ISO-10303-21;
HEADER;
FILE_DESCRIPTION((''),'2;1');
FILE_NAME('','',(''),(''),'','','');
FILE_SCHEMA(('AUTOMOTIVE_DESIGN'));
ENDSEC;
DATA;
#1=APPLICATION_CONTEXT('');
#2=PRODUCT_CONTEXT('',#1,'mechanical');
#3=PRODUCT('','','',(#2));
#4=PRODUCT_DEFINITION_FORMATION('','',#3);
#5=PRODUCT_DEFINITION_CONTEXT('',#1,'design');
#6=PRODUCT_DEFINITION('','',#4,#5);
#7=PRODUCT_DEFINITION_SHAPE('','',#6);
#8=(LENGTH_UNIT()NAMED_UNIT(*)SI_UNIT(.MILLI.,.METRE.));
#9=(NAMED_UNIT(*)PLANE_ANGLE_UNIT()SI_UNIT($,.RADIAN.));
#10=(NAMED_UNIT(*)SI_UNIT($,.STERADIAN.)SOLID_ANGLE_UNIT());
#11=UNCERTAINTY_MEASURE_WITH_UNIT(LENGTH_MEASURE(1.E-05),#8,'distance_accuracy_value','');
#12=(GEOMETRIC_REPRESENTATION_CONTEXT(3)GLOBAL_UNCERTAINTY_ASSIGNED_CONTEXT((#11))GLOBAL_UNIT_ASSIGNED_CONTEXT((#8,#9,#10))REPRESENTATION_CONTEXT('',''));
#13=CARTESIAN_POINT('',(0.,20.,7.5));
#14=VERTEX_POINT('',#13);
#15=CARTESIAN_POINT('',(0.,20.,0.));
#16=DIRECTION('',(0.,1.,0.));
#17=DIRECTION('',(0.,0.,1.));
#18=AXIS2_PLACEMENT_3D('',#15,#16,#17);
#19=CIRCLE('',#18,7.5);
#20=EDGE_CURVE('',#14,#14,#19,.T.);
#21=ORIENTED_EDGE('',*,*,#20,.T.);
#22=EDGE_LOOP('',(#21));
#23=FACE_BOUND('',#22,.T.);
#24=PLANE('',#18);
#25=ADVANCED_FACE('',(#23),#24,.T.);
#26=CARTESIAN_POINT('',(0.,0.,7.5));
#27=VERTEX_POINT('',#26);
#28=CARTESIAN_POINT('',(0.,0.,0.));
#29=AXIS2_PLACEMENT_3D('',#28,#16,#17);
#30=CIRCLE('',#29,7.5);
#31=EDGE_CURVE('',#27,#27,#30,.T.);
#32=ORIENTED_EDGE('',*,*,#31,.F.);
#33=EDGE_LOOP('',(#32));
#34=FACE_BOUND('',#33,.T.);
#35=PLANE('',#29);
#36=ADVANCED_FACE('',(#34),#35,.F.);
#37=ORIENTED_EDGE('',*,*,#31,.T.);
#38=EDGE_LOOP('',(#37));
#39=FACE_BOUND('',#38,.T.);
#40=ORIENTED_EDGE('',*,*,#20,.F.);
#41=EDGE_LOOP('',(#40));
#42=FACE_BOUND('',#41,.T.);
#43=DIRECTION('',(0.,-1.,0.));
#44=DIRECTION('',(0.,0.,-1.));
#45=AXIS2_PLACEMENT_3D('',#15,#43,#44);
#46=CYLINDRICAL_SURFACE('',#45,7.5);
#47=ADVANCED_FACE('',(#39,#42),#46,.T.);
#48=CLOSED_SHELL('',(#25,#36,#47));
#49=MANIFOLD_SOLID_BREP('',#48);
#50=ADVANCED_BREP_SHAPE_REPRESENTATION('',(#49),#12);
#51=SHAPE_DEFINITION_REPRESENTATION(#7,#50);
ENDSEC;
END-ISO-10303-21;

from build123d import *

# Parameters (mm, degrees)
SKETCH1_R           = 7.5
BOSS_EXTRUDE1_DEPTH = 20


with BuildPart() as part:
    # Sketch1 → Boss-Extrude1 (new body)
    with BuildSketch(Plane(origin=(0, 0, 0), x_dir=(1, 0, 0), z_dir=(0, 1, 0))):
        Circle(SKETCH1_R)
    extrude(amount=BOSS_EXTRUDE1_DEPTH)


solid = part.part
